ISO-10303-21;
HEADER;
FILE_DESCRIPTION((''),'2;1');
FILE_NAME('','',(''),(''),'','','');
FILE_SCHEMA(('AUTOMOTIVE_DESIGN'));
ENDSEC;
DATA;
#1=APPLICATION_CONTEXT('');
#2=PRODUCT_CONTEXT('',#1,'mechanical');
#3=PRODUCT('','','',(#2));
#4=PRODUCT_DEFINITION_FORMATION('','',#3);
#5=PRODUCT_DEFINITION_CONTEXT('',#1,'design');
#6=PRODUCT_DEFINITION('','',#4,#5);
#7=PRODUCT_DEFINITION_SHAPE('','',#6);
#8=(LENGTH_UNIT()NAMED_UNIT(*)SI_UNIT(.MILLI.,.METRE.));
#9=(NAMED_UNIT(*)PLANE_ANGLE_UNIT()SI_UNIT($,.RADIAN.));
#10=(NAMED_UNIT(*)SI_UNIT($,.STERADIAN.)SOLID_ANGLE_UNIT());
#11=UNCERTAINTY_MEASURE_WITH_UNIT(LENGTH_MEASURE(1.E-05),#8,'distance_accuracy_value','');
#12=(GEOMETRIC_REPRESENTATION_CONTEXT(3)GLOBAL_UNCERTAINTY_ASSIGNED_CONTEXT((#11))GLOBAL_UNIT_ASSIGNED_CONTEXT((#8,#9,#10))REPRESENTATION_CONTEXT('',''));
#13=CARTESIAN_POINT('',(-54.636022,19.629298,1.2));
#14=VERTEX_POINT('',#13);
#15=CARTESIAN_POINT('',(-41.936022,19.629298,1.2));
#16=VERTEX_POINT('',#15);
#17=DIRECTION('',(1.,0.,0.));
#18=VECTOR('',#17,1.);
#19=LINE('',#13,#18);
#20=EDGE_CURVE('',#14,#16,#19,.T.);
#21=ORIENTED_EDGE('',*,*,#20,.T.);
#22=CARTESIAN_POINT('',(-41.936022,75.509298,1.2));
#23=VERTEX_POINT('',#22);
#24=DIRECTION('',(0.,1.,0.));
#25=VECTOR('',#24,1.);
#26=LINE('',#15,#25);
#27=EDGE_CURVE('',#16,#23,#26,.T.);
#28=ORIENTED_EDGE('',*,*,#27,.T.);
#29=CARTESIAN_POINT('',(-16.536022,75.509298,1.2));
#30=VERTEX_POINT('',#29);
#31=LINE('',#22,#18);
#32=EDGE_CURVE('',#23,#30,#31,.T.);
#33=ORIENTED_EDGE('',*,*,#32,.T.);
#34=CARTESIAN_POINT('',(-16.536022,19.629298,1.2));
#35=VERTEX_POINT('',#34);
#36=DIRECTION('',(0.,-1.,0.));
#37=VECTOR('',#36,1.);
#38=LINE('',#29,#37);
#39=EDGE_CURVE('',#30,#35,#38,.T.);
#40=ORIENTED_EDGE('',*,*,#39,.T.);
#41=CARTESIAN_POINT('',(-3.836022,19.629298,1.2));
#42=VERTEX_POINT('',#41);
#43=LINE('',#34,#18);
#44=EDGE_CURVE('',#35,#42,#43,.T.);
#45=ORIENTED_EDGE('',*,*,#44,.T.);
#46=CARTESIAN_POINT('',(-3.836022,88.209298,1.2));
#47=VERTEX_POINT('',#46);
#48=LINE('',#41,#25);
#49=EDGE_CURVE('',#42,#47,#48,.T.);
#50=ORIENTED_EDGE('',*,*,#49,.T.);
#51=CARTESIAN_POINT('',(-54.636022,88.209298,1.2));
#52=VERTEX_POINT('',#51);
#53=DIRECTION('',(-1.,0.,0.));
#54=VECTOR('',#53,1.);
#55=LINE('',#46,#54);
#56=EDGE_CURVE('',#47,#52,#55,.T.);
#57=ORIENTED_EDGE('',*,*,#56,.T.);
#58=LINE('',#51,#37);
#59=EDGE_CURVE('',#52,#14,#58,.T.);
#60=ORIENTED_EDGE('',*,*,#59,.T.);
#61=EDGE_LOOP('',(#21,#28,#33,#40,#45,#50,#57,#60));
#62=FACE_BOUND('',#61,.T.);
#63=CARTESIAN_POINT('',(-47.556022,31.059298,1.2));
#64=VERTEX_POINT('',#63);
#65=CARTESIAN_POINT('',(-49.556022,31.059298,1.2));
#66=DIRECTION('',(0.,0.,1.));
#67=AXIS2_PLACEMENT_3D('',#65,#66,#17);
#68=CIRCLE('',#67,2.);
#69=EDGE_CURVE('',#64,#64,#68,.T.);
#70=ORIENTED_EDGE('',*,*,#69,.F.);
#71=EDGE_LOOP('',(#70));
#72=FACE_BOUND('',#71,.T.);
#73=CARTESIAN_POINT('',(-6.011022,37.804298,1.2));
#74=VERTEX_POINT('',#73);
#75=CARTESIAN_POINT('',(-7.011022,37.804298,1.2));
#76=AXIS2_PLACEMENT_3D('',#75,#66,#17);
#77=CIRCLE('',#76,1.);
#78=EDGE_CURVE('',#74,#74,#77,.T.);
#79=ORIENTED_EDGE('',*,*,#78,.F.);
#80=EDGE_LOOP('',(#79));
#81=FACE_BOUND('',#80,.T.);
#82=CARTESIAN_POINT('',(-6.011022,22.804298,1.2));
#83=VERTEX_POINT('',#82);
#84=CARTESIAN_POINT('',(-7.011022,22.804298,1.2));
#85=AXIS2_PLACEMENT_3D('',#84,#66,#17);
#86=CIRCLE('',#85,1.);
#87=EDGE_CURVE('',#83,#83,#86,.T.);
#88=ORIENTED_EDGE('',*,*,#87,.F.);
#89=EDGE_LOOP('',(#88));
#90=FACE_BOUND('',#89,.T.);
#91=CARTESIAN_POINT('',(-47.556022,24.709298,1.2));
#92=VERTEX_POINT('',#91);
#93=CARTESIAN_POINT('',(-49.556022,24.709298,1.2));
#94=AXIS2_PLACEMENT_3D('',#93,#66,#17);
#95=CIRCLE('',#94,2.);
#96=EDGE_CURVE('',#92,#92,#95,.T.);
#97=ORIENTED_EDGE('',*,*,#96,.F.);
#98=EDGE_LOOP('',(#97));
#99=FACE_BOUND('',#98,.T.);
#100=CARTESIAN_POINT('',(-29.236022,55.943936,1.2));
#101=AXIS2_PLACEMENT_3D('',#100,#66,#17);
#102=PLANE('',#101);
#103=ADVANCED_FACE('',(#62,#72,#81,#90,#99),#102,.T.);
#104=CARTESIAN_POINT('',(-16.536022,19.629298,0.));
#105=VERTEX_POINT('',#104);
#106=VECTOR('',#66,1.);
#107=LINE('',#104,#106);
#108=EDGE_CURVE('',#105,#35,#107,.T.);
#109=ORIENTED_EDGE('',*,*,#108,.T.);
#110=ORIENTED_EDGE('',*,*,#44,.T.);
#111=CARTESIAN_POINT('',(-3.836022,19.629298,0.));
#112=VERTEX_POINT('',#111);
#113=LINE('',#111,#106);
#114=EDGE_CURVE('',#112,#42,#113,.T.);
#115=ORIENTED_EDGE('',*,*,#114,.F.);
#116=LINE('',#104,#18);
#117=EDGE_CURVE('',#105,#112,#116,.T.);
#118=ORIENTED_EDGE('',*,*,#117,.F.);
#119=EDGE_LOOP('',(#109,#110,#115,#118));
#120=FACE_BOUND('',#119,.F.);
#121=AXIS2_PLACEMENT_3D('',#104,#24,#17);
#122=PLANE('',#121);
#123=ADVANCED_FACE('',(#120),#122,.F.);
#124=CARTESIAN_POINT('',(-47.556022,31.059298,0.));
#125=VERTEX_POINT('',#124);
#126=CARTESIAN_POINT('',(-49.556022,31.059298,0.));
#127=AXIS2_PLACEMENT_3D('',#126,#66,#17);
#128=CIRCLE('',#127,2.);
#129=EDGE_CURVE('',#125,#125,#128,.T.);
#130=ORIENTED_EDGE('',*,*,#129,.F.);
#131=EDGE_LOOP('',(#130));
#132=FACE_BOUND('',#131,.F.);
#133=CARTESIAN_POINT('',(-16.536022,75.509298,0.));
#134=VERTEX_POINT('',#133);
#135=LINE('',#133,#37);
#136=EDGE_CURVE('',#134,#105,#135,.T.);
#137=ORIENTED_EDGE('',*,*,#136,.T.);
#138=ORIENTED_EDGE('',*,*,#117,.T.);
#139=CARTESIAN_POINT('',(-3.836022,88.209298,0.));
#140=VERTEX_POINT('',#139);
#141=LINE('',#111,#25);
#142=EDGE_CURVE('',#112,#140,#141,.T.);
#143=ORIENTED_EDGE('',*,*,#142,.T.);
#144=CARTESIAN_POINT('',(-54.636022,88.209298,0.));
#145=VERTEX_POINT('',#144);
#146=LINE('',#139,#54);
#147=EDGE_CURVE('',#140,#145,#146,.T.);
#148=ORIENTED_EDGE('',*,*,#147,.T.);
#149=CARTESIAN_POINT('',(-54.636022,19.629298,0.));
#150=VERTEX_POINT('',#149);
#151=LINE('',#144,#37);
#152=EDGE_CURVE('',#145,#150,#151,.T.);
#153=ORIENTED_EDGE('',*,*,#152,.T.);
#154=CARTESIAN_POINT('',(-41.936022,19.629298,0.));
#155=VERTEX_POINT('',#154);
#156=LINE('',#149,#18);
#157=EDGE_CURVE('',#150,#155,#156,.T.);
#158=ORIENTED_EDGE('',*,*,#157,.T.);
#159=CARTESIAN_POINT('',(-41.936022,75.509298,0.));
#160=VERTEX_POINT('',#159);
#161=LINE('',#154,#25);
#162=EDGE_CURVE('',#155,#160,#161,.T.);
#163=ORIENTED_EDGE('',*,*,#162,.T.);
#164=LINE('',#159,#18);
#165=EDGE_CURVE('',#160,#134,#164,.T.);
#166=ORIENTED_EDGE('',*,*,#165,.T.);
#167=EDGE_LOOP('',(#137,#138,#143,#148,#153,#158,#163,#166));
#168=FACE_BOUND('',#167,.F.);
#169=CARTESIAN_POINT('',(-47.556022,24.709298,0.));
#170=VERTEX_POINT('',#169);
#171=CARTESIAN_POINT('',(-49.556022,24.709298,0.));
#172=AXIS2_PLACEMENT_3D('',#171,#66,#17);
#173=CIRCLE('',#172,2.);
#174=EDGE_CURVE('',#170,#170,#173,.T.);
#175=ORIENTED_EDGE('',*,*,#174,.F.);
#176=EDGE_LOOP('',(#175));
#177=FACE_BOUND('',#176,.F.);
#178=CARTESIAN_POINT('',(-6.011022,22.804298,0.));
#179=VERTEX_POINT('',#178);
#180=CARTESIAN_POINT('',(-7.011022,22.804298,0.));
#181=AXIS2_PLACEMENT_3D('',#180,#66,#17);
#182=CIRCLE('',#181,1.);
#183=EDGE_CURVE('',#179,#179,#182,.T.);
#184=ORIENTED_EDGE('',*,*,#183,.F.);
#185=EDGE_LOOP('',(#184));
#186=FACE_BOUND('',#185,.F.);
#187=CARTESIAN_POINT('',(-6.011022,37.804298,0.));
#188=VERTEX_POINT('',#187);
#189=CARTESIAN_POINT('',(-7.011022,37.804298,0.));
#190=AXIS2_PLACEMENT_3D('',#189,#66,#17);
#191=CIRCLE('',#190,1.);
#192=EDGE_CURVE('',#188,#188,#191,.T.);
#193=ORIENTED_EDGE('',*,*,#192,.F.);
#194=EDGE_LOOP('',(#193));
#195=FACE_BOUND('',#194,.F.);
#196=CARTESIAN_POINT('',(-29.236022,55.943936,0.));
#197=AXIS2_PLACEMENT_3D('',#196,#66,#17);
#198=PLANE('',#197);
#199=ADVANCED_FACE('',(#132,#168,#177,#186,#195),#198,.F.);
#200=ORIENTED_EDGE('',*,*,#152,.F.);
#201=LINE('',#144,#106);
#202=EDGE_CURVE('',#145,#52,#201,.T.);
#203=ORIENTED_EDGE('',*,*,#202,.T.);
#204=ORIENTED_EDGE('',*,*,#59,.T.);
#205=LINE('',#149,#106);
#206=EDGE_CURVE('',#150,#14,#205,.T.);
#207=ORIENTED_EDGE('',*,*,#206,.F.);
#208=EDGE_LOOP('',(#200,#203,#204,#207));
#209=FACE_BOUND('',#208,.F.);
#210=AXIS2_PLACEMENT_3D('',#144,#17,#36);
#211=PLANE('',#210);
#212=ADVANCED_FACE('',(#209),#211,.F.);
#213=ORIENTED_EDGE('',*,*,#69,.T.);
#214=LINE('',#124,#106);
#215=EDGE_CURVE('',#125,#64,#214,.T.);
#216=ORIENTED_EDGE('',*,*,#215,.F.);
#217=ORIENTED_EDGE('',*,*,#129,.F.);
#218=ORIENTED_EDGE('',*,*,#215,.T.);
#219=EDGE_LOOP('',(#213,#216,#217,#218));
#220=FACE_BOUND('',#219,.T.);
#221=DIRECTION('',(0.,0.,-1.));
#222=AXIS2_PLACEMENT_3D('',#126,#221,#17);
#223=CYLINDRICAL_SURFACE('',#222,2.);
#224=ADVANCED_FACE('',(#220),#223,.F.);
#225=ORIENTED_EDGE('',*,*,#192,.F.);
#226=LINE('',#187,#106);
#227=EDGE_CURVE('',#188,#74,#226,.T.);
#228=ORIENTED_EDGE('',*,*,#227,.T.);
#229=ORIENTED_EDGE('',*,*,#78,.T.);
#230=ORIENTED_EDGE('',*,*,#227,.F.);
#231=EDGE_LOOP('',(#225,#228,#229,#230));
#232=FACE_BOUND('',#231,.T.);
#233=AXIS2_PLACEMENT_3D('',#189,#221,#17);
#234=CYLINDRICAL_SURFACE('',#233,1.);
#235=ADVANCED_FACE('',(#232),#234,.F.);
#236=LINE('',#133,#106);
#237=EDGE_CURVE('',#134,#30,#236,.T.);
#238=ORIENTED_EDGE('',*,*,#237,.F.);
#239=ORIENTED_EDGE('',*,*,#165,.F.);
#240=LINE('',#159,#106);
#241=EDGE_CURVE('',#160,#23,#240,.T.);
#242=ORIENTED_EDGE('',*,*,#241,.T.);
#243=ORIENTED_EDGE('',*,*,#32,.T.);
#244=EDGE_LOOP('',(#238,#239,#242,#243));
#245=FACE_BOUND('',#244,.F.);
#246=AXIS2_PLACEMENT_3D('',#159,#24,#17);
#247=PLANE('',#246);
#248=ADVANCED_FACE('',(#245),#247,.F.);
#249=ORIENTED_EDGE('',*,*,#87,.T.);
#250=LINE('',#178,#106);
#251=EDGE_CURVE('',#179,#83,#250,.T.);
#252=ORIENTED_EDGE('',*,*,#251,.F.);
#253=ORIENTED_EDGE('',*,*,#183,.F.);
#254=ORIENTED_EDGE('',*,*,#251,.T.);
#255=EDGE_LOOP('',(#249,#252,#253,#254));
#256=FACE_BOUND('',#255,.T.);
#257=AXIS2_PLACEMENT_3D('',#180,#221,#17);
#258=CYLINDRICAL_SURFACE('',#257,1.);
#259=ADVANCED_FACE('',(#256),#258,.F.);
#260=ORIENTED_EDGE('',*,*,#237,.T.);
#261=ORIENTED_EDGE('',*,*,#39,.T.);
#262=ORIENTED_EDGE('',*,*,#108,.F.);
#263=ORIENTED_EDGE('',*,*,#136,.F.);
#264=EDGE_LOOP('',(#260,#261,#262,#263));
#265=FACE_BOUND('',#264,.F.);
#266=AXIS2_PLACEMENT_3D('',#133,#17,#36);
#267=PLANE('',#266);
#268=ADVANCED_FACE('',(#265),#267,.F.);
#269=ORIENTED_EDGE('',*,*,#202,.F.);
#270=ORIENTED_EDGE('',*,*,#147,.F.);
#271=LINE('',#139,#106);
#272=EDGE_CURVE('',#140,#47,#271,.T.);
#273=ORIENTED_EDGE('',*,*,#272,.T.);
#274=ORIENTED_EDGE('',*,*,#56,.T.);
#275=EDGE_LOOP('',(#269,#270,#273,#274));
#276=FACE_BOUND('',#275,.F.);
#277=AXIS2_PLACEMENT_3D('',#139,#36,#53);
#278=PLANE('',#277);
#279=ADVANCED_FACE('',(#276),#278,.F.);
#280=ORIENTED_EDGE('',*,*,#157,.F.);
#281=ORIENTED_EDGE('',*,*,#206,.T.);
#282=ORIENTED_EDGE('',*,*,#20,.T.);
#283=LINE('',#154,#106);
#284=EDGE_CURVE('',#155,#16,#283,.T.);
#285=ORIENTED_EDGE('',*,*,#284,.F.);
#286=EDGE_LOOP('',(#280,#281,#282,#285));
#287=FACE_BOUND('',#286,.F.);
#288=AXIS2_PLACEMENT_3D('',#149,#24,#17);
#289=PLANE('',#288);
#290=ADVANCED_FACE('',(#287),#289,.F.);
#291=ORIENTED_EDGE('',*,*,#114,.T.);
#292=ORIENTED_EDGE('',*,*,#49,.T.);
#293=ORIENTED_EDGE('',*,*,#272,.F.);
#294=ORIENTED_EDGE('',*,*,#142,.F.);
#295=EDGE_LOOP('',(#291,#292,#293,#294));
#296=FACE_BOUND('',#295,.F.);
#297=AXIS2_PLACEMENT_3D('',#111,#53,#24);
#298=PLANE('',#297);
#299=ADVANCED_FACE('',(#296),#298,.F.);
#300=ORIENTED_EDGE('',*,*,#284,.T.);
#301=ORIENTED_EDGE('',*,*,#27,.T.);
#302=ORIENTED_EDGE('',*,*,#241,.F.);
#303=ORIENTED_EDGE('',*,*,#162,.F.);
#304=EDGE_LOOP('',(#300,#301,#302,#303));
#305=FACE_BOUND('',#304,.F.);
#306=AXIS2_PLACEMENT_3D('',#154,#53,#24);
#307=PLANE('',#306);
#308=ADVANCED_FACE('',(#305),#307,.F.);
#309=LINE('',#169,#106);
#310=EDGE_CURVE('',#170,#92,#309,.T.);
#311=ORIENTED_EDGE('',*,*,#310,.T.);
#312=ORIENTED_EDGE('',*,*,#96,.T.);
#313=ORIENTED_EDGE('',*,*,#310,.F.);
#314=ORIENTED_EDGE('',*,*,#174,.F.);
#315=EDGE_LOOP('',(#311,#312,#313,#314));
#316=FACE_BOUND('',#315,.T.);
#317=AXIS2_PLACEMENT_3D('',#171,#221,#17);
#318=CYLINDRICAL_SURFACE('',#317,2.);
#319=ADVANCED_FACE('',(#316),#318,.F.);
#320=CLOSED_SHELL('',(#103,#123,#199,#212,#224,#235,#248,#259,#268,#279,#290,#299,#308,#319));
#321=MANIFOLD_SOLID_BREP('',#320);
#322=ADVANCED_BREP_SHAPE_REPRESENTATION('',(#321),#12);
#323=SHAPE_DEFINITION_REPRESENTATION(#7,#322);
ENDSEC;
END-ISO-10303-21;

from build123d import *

# Parameters (mm, degrees)
F0_R     = 2
F0_R_2   = 1
F1_DEPTH = 1.2


with BuildPart() as f1:
    # F0 (on Top) → F1 (new body)
    with BuildSketch(Plane.XY):
        Polygon((-41.936022, 88.209298), (-54.636022, 88.209298), (-54.636022, 19.629298), (-41.936022, 19.629298), (-41.936022, 75.509298), (-16.536022, 75.509298), (-16.536022, 19.629298), (-3.836022, 19.629298), (-3.836022, 88.209298), (-16.536022, 88.209298), align=None)
        with Locations((-49.556022, 24.709298)):
            Circle(F0_R, mode=Mode.SUBTRACT)
        with Locations((-49.556022, 31.059298)):
            Circle(F0_R, mode=Mode.SUBTRACT)
        with Locations((-7.011022, 22.804298)):
            Circle(F0_R_2, mode=Mode.SUBTRACT)
        with Locations((-7.011022, 37.804298)):
            Circle(F0_R_2, mode=Mode.SUBTRACT)
    extrude(amount=F1_DEPTH)


solid = f1.part
